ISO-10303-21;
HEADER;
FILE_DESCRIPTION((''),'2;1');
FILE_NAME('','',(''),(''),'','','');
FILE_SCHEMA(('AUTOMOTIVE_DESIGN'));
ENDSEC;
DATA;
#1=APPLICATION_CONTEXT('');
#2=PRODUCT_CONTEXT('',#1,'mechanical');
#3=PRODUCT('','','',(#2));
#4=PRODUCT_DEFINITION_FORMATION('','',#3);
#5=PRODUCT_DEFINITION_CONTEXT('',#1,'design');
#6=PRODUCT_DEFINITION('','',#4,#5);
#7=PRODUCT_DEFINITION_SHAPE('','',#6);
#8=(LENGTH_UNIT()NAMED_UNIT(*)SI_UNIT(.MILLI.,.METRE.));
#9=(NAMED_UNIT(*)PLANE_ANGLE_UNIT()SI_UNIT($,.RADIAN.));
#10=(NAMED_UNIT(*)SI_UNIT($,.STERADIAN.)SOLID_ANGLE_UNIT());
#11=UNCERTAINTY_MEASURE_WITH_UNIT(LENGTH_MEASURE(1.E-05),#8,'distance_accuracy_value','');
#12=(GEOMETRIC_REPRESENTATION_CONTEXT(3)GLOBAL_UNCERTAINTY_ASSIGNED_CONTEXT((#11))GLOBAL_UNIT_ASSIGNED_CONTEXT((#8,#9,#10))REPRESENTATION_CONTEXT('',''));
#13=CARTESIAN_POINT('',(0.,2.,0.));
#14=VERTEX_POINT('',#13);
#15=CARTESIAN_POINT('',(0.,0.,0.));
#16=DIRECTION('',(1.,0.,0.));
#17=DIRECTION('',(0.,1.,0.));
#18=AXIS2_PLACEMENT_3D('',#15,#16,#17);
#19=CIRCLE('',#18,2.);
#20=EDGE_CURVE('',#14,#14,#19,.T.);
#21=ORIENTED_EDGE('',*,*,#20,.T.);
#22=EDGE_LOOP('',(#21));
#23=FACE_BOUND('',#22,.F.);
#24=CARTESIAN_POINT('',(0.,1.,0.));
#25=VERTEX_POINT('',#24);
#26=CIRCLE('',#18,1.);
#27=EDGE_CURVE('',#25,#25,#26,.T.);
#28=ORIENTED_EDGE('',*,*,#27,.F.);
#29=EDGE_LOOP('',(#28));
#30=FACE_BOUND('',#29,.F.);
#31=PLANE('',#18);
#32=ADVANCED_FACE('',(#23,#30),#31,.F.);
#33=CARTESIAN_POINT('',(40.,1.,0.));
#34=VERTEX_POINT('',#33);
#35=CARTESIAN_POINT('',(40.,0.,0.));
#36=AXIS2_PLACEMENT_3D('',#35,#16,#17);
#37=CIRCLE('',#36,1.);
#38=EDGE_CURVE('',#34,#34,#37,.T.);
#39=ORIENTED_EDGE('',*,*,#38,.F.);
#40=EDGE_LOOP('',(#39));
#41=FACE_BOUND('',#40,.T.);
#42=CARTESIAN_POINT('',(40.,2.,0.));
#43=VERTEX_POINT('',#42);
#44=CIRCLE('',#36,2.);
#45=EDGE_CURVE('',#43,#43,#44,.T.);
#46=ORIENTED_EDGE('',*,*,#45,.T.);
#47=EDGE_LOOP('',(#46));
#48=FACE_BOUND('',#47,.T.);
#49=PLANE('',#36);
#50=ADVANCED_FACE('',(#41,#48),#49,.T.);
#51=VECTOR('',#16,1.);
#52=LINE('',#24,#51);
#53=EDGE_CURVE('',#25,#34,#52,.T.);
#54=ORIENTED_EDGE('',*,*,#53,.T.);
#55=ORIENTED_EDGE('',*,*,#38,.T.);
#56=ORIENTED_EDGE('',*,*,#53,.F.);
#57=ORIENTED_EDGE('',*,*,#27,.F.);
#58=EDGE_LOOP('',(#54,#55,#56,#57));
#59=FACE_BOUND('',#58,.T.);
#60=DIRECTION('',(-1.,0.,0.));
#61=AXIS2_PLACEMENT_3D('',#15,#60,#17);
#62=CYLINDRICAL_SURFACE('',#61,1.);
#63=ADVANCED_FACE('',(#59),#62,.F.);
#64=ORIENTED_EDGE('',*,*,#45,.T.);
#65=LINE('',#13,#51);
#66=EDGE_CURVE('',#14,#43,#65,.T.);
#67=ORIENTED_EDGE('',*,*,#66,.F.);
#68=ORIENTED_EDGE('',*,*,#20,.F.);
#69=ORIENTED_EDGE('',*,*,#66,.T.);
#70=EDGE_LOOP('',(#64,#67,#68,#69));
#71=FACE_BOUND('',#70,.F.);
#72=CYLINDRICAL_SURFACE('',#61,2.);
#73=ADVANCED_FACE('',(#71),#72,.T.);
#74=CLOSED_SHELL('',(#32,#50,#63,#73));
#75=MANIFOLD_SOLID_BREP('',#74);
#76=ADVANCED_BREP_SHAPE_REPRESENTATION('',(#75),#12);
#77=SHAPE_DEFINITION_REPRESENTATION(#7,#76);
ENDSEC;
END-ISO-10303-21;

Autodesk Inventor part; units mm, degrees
ref_plane "YZ Plane" through (0, 0, 0) normal (1, 0, 0) x (0, 1, 0)
ref_plane "XZ Plane" through (0, 0, 0) normal (0, 1, 0) x (-1, 0, 0)
ref_plane "XY Plane" through (0, 0, 0) normal (0, 0, 1) x (1, 0, 0)
sketch "スケッチ1" plane through (0, 0, 0) normal (1, 0, 0) x (0, 1, 0)
  circle A0 centre (0, 0) radius 2
  circle A1 centre (0, 0) radius 1
  dimension "d0" = 2
  dimension "d1" = 4
extrude "押し出し1" add sketch "スケッチ1" along normal blind 40
properties part number "SHaft_m2x40"
